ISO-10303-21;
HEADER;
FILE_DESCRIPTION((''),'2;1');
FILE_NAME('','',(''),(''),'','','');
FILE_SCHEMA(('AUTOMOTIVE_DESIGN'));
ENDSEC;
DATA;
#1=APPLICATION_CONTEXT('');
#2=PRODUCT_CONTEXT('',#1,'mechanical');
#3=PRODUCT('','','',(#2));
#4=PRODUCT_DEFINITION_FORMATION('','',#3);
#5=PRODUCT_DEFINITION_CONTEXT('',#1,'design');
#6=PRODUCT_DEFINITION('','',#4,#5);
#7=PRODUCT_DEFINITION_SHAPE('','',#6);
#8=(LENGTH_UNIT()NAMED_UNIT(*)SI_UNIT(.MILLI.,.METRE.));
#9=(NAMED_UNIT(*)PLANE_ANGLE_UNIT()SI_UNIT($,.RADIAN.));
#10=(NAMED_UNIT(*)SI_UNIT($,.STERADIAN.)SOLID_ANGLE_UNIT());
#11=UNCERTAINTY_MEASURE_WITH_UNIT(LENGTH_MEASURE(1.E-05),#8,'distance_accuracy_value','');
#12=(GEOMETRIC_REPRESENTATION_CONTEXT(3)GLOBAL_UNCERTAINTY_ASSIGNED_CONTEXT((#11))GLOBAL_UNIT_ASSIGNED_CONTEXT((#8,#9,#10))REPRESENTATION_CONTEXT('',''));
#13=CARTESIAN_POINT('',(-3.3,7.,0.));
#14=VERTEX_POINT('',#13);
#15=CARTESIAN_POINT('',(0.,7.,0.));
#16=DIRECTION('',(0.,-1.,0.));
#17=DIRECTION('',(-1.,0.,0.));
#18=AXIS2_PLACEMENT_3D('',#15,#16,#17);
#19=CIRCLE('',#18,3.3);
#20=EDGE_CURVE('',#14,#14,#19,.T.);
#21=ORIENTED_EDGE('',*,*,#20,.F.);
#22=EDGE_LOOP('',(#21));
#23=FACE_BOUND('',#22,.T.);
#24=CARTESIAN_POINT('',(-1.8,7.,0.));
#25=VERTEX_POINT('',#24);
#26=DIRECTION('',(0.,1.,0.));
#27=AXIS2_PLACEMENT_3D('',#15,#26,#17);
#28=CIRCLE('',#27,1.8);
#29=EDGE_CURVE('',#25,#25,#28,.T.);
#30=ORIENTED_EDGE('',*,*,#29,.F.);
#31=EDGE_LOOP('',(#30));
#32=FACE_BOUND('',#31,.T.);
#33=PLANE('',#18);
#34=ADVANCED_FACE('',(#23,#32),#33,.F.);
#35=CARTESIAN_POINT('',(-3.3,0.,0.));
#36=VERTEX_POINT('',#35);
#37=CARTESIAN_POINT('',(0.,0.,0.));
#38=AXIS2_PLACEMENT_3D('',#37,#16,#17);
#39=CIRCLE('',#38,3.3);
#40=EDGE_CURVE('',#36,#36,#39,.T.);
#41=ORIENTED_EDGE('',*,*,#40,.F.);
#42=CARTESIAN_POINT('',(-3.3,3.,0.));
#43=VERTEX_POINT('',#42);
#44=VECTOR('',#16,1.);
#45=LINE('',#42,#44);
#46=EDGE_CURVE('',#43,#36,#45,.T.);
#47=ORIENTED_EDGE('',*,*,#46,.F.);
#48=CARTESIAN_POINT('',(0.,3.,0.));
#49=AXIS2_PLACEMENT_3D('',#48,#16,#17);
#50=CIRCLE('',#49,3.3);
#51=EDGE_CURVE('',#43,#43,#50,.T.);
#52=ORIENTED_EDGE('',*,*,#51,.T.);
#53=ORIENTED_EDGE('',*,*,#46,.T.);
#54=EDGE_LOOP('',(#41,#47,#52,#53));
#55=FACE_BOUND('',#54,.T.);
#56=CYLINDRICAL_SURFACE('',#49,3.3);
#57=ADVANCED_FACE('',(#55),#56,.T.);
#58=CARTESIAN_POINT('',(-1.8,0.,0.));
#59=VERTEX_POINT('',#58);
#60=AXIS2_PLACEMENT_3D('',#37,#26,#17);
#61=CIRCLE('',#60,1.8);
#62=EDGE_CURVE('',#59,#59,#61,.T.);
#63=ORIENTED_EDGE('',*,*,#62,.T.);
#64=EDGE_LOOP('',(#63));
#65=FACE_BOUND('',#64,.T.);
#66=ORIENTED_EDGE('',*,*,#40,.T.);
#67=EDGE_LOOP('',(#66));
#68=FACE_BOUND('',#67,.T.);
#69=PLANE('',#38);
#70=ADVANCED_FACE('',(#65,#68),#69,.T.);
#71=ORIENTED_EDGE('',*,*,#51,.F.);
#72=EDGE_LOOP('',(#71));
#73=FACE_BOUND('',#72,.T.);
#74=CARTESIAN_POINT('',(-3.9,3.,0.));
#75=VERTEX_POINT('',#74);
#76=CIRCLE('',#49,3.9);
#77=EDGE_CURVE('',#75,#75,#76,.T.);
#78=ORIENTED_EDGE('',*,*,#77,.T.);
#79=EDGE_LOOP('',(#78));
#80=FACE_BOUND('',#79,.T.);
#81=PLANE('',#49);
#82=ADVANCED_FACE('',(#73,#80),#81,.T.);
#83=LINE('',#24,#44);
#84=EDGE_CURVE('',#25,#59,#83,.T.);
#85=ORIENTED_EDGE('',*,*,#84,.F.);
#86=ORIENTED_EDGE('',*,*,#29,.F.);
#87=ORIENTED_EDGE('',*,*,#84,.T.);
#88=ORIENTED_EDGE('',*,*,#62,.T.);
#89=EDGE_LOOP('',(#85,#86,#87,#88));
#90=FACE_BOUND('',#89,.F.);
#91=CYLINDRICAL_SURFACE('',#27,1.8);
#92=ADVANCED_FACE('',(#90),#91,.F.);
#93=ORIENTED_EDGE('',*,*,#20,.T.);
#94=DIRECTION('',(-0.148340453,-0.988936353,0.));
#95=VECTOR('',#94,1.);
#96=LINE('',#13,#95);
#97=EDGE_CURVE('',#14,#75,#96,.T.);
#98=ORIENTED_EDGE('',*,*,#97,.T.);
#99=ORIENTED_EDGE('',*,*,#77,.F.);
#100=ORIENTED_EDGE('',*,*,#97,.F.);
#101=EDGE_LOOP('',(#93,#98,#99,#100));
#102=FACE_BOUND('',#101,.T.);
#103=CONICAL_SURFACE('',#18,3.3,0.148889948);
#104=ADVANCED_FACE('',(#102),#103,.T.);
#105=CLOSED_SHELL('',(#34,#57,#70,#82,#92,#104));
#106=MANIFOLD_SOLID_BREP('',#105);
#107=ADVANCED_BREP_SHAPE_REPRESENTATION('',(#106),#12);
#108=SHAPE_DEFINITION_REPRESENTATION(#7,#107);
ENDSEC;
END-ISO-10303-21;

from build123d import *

# Parameters (mm, degrees)
F2_R     = 1.8
F3_DEPTH = 7.001


with BuildPart() as f1:
    # F0 (on Top) → F1 (revolve)
    with BuildSketch(Plane.XY):
        Polygon((-3.3, 0), (0, 0), (0, 7), (-3.3, 7), (-3.9, 3), (-3.3, 3), align=None)
    revolve(axis=Axis((0, 3.5, 0), (0, -1, 0)))

    # F2 (on face) → F3 (cut, through all)
    with BuildSketch(Plane(origin=(0, 7, 0), x_dir=(-1, 0, 0), z_dir=(0, 1, 0))):
        Circle(F2_R)
    extrude(amount=-F3_DEPTH, mode=Mode.SUBTRACT)


solid = f1.part
